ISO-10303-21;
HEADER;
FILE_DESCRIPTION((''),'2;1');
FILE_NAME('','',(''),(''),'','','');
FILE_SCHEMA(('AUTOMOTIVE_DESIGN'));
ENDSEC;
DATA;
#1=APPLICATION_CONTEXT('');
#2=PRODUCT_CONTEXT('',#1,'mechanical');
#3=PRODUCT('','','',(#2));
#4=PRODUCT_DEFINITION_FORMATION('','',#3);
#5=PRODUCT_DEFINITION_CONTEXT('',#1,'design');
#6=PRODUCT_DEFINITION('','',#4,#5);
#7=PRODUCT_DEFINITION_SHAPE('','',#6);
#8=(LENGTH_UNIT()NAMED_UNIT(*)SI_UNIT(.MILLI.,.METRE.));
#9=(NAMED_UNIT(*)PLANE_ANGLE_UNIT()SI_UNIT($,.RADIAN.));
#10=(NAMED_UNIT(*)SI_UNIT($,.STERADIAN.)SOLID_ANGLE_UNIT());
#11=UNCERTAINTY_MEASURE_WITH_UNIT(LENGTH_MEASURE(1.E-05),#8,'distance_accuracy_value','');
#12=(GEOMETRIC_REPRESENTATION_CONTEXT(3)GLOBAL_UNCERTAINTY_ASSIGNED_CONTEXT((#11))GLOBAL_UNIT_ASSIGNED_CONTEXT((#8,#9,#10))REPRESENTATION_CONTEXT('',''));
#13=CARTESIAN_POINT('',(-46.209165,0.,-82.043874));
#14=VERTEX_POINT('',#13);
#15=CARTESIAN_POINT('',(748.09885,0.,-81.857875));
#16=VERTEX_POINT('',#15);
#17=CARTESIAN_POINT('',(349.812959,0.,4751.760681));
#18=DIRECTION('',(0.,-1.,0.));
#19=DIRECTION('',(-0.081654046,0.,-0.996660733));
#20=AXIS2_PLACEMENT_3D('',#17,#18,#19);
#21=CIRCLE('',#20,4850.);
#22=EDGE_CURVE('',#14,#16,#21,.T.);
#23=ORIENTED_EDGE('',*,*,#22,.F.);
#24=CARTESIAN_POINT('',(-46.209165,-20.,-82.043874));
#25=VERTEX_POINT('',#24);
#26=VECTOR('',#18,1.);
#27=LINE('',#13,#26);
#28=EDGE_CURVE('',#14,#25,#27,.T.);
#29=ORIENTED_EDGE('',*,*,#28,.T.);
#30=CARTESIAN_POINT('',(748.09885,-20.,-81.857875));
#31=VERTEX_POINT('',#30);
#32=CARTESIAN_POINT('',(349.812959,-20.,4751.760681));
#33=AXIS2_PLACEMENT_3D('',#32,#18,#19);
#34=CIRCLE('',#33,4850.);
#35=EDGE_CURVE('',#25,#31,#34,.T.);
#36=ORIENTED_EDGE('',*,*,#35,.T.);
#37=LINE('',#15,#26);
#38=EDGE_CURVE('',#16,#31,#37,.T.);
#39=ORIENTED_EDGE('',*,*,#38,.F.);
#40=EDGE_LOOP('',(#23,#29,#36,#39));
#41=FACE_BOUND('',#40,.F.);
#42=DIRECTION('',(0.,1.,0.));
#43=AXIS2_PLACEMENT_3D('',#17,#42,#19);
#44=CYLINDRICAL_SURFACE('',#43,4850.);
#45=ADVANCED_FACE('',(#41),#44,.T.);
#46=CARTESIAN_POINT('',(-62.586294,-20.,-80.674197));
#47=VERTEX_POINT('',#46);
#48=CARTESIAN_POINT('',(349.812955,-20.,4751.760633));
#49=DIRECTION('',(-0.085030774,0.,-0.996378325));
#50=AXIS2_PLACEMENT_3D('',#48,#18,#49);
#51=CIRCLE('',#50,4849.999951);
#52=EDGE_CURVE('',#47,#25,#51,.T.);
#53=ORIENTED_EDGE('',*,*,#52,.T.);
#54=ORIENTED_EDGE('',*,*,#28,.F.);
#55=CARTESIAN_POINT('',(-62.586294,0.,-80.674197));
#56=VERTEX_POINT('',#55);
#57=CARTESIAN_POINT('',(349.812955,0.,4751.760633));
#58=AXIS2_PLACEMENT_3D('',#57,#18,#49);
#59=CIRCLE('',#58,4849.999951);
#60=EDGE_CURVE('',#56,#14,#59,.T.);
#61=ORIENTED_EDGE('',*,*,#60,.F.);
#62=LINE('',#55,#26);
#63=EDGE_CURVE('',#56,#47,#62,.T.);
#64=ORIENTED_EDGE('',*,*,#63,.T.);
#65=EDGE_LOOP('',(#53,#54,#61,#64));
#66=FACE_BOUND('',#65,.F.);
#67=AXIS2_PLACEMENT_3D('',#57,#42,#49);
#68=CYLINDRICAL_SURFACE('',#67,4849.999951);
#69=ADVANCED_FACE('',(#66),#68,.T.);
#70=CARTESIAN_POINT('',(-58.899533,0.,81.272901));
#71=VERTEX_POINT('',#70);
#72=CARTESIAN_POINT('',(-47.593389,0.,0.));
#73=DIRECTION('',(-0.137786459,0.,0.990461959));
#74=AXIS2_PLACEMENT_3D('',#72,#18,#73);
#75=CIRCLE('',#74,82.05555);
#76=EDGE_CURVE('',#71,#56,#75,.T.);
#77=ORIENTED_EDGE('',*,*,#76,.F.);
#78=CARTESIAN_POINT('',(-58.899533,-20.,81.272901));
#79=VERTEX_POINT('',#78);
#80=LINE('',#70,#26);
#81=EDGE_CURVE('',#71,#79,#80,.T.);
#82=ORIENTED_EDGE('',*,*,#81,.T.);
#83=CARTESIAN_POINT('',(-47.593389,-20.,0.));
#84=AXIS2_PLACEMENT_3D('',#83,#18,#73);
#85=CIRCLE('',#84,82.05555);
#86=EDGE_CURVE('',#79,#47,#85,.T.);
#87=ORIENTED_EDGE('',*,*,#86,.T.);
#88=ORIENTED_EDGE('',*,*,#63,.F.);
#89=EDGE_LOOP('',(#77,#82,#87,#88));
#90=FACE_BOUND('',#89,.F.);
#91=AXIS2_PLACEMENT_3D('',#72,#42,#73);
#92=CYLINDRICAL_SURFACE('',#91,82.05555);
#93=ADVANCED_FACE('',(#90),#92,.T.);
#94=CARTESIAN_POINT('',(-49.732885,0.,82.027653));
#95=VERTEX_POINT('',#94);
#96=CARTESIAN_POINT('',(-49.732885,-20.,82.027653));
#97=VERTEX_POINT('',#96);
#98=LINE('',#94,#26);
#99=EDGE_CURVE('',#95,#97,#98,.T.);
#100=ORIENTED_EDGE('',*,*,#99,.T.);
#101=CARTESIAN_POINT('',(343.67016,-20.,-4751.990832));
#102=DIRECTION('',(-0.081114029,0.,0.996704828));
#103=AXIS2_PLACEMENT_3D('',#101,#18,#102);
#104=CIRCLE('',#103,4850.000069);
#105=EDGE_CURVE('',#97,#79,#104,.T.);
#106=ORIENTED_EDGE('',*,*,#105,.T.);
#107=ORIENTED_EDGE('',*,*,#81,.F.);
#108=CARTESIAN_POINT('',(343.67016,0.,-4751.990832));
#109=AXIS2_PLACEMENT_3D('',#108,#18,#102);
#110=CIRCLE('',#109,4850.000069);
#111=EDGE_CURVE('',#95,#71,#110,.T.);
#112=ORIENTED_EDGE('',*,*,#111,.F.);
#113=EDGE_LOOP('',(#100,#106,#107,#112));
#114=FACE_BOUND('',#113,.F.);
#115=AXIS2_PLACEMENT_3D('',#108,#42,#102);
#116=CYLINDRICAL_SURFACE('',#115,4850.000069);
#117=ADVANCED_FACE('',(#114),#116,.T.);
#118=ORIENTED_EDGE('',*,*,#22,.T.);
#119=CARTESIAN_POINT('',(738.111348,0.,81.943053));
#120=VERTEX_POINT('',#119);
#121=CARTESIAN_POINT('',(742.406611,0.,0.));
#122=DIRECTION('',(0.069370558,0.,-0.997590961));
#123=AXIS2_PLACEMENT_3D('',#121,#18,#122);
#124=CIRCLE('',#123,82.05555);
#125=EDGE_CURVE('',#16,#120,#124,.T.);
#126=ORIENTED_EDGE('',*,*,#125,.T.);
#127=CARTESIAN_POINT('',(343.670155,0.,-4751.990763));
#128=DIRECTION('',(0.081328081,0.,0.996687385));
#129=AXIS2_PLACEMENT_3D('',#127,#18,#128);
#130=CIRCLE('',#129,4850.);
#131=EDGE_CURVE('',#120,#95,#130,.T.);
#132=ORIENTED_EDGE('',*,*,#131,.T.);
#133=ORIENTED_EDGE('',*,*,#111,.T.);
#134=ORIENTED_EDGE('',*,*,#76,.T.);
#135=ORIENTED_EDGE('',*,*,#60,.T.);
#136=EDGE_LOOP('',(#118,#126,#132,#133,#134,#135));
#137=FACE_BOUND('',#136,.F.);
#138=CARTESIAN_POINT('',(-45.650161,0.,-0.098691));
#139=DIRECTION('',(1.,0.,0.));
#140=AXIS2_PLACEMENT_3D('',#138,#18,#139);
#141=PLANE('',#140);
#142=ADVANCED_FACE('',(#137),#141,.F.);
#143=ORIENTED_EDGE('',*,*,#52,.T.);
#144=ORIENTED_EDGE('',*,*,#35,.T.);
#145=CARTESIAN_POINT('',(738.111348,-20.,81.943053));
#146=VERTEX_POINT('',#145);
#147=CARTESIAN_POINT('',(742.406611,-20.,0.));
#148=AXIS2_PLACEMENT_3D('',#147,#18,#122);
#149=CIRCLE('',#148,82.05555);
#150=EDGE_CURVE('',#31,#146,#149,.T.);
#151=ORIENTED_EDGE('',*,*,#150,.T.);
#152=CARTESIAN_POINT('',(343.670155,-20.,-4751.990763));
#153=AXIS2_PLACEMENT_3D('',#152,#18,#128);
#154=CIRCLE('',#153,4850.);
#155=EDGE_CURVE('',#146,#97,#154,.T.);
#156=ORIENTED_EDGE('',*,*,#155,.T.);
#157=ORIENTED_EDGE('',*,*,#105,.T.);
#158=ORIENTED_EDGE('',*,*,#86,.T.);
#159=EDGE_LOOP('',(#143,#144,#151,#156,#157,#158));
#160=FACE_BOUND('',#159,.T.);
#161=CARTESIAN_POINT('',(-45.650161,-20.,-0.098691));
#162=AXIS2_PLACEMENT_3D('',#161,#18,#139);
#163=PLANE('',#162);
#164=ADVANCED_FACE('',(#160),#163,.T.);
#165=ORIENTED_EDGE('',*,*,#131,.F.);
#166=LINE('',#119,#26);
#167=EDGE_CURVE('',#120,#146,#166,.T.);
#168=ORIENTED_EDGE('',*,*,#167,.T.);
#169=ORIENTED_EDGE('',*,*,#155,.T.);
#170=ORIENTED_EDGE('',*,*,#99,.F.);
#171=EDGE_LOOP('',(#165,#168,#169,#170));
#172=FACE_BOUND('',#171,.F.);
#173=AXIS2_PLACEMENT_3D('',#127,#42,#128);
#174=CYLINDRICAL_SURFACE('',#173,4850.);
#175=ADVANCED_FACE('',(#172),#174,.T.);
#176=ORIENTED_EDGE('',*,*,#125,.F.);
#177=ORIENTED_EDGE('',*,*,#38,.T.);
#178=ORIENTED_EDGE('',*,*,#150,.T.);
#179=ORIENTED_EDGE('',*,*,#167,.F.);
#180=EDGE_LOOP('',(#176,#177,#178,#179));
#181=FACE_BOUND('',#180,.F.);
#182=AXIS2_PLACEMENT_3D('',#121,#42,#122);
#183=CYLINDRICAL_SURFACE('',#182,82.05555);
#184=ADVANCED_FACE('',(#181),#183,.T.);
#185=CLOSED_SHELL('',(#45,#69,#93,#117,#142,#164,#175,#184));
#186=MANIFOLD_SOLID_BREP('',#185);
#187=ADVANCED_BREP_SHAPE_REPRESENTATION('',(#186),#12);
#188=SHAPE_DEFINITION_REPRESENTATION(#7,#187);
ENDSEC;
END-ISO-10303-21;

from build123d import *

# Parameters (mm, degrees)
F1_DEPTH = 20


with BuildPart() as f1:
    # F0 (on Front) → F1 (new body)
    with BuildSketch(Plane.XZ):
        with BuildLine():
            ThreePointArc((-49.7328845509, 82.027652927), (-54.3163875498, 81.6524498366), (-58.8995327156, 81.2729007771))
            ThreePointArc((-58.8995327156, 81.2729007771), (-129.6276844332, 1.8675286407), (-62.5862937495, -80.6741971997))
            ThreePointArc((-62.5862937495, -80.6741971997), (-54.3983095736, -81.3659722205), (-46.209165104, -82.0438736892))
            ThreePointArc((-46.209165104, -82.0438736892), (10.915997147, -57.5305572299), (34.4621609717, 0))
            ThreePointArc((34.4621609717, 0), (9.6672248523, 58.7735942734), (-49.7328845509, 82.027652927))
        make_face()
        with BuildLine():
            ThreePointArc((738.1113483102, 81.9430534241), (344.1909525373, 98.009208707), (-49.7328845509, 82.027652927))
            ThreePointArc((-49.7328845509, 82.027652927), (9.6672248523, 58.7735942734), (34.4621609717, 0))
            Line((34.4621609717, 0), (660.3510609717, 0))
            ThreePointArc((660.3510609717, 0), (682.8853398752, 56.4830202172), (738.1113483102, 81.9430534241))
        make_face()
        with BuildLine():
            ThreePointArc((34.4621609717, 0), (10.915997147, -57.5305572299), (-46.209165104, -82.0438736892))
            ThreePointArc((-46.209165104, -82.0438736892), (350.9486567166, -98.2391856001), (748.0988502502, -81.8578749895))
            ThreePointArc((748.0988502502, -81.8578749895), (686.433253644, -60.0008046218), (660.3510609717, 0))
            Line((660.3510609717, 0), (34.4621609717, 0))
        make_face()
        with BuildLine():
            ThreePointArc((824.4621609717, 0), (798.8896311889, 59.5212710965), (738.1113483102, 81.9430534241))
            ThreePointArc((738.1113483102, 81.9430534241), (682.8853398752, 56.4830202172), (660.3510609717, 0))
            ThreePointArc((660.3510609717, 0), (686.433253644, -60.0008046218), (748.0988502502, -81.8578749895))
            ThreePointArc((748.0988502502, -81.8578749895), (802.4074155935, -55.9733573277), (824.4621609717, 0))
        make_face()
    extrude(amount=F1_DEPTH)


solid = f1.part
